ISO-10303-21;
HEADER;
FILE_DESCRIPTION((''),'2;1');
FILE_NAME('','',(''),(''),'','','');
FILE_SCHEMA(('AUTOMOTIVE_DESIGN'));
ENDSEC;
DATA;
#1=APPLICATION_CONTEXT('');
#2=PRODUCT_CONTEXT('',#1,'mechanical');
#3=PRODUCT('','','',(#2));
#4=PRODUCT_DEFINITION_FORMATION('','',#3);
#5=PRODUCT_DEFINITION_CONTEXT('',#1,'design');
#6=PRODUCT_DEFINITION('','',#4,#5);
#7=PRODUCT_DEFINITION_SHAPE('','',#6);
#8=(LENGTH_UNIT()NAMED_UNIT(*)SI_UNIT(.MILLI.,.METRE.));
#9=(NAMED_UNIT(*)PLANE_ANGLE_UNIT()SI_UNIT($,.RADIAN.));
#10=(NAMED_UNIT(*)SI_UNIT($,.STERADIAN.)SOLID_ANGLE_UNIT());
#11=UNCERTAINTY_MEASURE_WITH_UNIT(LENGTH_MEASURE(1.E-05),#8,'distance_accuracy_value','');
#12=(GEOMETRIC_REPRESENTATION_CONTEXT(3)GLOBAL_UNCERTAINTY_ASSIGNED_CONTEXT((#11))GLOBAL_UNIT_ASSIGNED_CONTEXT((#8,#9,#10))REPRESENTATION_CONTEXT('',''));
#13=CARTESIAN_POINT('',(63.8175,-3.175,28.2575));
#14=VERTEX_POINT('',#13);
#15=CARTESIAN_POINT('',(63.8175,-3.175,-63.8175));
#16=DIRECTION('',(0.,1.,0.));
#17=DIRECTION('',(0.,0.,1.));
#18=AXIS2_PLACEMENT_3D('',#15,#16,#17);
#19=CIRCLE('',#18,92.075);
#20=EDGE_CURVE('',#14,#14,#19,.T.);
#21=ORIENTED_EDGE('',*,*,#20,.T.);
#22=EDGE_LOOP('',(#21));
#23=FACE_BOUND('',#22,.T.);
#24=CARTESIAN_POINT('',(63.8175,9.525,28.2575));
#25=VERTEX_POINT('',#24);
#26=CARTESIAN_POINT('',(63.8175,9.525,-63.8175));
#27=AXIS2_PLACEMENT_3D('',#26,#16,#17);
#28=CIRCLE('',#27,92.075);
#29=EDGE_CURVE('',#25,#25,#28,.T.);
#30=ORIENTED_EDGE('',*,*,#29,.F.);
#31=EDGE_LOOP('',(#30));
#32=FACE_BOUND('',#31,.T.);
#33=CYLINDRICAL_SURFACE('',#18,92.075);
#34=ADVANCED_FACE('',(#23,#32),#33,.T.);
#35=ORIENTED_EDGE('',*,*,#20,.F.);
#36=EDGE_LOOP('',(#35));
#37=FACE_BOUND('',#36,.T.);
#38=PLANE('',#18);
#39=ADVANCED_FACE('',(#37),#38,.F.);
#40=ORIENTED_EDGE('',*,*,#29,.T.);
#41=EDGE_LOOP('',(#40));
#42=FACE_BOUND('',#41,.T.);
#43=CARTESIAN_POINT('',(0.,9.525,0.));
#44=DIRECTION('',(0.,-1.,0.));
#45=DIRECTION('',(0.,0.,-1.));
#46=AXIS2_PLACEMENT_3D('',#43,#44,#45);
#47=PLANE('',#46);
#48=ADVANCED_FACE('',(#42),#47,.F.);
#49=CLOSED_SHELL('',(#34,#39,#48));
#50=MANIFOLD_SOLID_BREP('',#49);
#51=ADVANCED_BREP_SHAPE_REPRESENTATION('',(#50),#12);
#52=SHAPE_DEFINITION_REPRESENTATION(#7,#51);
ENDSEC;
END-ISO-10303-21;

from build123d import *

# Parameters (mm, degrees)
SKETCH1_W           = 127.635
SKETCH1_H           = 127.635
BOSS_EXTRUDE1_DEPTH = 9.525
SKETCH13_R          = 92.075
BOSS_EXTRUDE2_DEPTH = 12.7


with BuildPart() as part:
    # Sketch1 → Boss-Extrude1 (new body)
    with BuildSketch(Plane(origin=(0, 0, 0), x_dir=(1, 0, 0), z_dir=(0, 1, 0))):
        with Locations((63.8175, 63.8175)):
            Rectangle(SKETCH1_W, SKETCH1_H)
    extrude(amount=BOSS_EXTRUDE1_DEPTH)

    # Sketch13 → Boss-Extrude2 (add)
    with BuildSketch(Plane(origin=(0, 9.525, 0), x_dir=(1, 0, 0), z_dir=(0, 1, 0))):
        with Locations(Location((63.8175, 63.8175, 0), (0, 0, 270))):
            Circle(SKETCH13_R)
    extrude(amount=-BOSS_EXTRUDE2_DEPTH)


solid = part.part
